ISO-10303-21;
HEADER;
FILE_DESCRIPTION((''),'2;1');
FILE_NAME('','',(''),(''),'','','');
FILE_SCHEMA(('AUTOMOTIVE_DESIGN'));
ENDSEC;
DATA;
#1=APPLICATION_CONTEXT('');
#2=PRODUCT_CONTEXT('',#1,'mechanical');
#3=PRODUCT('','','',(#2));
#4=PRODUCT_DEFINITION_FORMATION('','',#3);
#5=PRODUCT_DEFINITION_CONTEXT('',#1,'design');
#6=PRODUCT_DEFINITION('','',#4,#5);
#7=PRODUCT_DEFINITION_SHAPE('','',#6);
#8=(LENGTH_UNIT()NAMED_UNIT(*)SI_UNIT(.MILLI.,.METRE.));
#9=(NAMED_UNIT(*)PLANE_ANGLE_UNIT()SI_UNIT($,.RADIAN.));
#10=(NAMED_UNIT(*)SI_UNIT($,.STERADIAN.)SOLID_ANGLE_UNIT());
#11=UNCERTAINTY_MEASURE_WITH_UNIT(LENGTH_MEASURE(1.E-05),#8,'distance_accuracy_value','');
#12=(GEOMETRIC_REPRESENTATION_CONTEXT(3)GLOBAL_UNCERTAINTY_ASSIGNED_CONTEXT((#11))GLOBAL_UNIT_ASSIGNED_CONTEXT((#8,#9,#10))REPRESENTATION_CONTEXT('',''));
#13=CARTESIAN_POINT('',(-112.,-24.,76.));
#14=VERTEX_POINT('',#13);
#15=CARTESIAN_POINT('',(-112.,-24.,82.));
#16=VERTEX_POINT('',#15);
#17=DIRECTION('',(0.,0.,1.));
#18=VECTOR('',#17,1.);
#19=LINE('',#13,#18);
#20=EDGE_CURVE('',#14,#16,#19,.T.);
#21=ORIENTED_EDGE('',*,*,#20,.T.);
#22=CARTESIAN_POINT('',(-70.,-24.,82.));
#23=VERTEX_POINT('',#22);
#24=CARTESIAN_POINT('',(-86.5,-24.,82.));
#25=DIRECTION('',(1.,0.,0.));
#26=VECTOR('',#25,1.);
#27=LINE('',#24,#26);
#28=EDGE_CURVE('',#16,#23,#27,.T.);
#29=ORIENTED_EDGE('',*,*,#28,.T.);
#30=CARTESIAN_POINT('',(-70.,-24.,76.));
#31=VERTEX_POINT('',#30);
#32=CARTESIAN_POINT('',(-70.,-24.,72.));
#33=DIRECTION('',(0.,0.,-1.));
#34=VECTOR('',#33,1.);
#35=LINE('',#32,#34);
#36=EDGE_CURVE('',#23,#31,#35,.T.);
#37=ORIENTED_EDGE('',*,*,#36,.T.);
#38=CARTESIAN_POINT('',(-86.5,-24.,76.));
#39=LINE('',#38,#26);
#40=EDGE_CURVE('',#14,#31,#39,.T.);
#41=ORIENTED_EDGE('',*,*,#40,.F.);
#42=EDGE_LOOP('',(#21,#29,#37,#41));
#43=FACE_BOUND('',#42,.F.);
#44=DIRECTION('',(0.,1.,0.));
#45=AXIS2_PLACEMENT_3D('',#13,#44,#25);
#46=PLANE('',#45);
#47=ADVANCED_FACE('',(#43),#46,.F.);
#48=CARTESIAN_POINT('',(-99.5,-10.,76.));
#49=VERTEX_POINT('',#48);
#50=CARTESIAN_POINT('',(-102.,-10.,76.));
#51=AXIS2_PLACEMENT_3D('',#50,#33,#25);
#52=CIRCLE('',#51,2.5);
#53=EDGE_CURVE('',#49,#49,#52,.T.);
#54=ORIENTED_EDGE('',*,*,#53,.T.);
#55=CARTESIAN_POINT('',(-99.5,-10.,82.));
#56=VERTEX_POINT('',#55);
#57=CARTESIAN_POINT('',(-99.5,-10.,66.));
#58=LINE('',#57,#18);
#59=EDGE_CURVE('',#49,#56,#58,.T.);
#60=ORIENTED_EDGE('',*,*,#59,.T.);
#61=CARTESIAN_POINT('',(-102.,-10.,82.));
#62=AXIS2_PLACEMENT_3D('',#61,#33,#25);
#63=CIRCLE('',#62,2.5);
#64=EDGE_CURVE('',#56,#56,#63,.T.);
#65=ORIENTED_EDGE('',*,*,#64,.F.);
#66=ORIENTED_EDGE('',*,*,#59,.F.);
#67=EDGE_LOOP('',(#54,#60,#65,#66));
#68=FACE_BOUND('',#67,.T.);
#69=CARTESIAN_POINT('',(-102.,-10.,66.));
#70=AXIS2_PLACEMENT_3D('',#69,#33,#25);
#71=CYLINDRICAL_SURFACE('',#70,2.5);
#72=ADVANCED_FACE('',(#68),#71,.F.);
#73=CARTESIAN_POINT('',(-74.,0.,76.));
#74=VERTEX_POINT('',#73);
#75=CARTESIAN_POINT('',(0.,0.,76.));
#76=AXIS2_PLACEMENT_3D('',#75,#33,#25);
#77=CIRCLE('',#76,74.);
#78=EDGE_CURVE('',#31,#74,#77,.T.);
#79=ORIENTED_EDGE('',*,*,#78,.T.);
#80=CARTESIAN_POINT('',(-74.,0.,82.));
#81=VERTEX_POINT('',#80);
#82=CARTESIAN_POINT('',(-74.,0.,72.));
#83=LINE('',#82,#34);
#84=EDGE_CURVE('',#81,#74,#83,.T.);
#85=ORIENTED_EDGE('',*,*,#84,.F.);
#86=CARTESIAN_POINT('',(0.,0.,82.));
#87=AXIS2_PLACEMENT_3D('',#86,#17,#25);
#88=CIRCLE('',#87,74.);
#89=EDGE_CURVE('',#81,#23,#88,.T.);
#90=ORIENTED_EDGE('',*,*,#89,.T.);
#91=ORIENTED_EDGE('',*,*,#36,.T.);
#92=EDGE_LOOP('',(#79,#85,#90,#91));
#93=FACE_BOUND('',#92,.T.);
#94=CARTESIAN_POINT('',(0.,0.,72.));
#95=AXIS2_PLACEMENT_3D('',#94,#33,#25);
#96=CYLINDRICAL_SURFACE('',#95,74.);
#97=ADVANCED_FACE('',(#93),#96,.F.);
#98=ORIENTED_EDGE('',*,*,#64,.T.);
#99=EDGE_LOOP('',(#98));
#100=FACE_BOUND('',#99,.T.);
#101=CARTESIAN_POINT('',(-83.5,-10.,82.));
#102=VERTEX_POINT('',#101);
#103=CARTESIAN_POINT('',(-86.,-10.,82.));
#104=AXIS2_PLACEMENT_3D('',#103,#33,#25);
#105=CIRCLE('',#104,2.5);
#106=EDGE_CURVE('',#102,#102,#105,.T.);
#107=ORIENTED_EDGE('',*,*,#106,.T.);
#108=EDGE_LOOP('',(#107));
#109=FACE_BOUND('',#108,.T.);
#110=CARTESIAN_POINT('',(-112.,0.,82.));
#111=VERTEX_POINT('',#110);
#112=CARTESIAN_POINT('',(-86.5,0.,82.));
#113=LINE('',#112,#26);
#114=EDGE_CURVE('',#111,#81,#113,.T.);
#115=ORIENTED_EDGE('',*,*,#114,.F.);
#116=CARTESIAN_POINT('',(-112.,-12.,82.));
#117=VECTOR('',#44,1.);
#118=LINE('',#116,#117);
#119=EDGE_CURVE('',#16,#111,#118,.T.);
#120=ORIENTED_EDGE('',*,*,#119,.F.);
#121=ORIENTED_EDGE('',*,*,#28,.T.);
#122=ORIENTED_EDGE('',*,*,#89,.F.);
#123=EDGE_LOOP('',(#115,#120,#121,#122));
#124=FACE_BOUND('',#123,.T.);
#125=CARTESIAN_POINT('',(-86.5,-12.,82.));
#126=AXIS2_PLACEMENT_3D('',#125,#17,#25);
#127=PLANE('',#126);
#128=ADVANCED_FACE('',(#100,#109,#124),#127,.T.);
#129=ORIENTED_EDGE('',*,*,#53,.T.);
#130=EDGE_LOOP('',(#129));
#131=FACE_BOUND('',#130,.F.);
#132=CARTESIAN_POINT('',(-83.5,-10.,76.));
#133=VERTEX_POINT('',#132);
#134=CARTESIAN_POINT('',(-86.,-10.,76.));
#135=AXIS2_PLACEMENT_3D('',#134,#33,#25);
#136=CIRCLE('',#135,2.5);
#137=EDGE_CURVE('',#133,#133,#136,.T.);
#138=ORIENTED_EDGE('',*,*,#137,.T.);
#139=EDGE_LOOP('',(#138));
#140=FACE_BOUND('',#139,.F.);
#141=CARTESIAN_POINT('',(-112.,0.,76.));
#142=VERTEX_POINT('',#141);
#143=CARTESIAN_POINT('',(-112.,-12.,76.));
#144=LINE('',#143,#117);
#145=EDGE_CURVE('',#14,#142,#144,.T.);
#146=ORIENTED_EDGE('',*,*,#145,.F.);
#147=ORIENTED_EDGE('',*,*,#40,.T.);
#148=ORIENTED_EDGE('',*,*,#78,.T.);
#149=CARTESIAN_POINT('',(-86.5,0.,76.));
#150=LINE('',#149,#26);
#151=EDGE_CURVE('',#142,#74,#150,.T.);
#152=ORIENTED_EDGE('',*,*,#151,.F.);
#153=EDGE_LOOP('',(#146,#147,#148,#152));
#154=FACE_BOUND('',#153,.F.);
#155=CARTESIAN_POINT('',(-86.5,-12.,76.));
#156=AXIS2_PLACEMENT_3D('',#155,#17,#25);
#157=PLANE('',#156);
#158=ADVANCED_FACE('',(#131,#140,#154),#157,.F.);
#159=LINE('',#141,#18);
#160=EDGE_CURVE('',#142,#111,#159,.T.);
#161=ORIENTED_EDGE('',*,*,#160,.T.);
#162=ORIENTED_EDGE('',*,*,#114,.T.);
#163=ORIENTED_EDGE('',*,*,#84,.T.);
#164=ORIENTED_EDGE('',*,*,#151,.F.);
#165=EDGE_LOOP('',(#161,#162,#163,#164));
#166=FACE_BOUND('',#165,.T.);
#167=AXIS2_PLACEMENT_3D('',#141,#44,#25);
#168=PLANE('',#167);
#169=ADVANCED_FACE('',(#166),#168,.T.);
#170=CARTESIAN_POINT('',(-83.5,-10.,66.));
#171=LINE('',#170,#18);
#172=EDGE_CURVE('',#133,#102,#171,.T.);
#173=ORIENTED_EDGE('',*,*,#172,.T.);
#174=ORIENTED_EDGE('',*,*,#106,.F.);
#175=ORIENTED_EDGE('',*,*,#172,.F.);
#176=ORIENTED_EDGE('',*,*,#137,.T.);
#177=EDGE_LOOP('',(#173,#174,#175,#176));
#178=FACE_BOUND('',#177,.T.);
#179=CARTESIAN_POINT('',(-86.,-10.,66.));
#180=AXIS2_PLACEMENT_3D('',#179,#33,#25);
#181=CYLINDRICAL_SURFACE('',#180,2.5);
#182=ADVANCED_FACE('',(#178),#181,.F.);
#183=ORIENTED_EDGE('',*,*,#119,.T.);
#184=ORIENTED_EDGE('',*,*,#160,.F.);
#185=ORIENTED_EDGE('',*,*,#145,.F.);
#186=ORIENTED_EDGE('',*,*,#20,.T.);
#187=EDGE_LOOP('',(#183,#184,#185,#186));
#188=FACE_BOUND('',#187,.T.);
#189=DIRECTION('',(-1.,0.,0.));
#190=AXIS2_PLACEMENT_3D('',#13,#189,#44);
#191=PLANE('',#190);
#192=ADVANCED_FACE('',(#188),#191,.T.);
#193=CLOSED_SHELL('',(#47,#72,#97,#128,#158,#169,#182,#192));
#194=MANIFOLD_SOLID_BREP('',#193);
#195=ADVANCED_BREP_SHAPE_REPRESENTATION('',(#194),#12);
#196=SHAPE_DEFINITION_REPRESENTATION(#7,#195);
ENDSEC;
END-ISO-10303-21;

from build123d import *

# Parameters (mm, degrees)
CYLINDER907_R     = 2.5
CYLINDER907_DEPTH = 20
CYLINDER908_R     = 2.5
CYLINDER908_DEPTH = 20
CYLINDER905_R     = 74
CYLINDER905_DEPTH = 10
BOX431_W          = 51
BOX431_H          = 24
BOX431_DEPTH      = 6


with BuildPart() as v_lec907:
    # Cylinder907 → Cylinder907 (new body)
    with BuildSketch(Plane(origin=(-86, -10, 66), x_dir=(1, 0, 0), z_dir=(0, 0, 1))):
        Circle(CYLINDER907_R)
    extrude(amount=CYLINDER907_DEPTH)


with BuildPart() as compound498:
    # Cylinder908 → Cylinder908 (new body)
    with BuildSketch(Plane(origin=(-102, -10, 66), x_dir=(1, 0, 0), z_dir=(0, 0, 1))):
        Circle(CYLINDER908_R)
    extrude(amount=CYLINDER908_DEPTH)

    # Compound498: union Válec907
    add(v_lec907.part)


with BuildPart() as v_lec905:
    # Cylinder905 → Cylinder905 (new body)
    with BuildSketch(Plane.XY.offset(72)):
        Circle(CYLINDER905_R)
    extrude(amount=CYLINDER905_DEPTH)


with BuildPart() as cut407:
    # Box431 → Box431 (new body)
    with BuildSketch(Plane(origin=(-112, -24, 76), x_dir=(1, 0, 0), z_dir=(0, 0, 1))):
        with Locations((25.5, 12)):
            Rectangle(BOX431_W, BOX431_H)
    extrude(amount=BOX431_DEPTH)

    # Cut408: cut Válec905
    add(v_lec905.part, mode=Mode.SUBTRACT)

    # Cut407: cut Compound498
    add(compound498.part, mode=Mode.SUBTRACT)


solid = cut407.part
